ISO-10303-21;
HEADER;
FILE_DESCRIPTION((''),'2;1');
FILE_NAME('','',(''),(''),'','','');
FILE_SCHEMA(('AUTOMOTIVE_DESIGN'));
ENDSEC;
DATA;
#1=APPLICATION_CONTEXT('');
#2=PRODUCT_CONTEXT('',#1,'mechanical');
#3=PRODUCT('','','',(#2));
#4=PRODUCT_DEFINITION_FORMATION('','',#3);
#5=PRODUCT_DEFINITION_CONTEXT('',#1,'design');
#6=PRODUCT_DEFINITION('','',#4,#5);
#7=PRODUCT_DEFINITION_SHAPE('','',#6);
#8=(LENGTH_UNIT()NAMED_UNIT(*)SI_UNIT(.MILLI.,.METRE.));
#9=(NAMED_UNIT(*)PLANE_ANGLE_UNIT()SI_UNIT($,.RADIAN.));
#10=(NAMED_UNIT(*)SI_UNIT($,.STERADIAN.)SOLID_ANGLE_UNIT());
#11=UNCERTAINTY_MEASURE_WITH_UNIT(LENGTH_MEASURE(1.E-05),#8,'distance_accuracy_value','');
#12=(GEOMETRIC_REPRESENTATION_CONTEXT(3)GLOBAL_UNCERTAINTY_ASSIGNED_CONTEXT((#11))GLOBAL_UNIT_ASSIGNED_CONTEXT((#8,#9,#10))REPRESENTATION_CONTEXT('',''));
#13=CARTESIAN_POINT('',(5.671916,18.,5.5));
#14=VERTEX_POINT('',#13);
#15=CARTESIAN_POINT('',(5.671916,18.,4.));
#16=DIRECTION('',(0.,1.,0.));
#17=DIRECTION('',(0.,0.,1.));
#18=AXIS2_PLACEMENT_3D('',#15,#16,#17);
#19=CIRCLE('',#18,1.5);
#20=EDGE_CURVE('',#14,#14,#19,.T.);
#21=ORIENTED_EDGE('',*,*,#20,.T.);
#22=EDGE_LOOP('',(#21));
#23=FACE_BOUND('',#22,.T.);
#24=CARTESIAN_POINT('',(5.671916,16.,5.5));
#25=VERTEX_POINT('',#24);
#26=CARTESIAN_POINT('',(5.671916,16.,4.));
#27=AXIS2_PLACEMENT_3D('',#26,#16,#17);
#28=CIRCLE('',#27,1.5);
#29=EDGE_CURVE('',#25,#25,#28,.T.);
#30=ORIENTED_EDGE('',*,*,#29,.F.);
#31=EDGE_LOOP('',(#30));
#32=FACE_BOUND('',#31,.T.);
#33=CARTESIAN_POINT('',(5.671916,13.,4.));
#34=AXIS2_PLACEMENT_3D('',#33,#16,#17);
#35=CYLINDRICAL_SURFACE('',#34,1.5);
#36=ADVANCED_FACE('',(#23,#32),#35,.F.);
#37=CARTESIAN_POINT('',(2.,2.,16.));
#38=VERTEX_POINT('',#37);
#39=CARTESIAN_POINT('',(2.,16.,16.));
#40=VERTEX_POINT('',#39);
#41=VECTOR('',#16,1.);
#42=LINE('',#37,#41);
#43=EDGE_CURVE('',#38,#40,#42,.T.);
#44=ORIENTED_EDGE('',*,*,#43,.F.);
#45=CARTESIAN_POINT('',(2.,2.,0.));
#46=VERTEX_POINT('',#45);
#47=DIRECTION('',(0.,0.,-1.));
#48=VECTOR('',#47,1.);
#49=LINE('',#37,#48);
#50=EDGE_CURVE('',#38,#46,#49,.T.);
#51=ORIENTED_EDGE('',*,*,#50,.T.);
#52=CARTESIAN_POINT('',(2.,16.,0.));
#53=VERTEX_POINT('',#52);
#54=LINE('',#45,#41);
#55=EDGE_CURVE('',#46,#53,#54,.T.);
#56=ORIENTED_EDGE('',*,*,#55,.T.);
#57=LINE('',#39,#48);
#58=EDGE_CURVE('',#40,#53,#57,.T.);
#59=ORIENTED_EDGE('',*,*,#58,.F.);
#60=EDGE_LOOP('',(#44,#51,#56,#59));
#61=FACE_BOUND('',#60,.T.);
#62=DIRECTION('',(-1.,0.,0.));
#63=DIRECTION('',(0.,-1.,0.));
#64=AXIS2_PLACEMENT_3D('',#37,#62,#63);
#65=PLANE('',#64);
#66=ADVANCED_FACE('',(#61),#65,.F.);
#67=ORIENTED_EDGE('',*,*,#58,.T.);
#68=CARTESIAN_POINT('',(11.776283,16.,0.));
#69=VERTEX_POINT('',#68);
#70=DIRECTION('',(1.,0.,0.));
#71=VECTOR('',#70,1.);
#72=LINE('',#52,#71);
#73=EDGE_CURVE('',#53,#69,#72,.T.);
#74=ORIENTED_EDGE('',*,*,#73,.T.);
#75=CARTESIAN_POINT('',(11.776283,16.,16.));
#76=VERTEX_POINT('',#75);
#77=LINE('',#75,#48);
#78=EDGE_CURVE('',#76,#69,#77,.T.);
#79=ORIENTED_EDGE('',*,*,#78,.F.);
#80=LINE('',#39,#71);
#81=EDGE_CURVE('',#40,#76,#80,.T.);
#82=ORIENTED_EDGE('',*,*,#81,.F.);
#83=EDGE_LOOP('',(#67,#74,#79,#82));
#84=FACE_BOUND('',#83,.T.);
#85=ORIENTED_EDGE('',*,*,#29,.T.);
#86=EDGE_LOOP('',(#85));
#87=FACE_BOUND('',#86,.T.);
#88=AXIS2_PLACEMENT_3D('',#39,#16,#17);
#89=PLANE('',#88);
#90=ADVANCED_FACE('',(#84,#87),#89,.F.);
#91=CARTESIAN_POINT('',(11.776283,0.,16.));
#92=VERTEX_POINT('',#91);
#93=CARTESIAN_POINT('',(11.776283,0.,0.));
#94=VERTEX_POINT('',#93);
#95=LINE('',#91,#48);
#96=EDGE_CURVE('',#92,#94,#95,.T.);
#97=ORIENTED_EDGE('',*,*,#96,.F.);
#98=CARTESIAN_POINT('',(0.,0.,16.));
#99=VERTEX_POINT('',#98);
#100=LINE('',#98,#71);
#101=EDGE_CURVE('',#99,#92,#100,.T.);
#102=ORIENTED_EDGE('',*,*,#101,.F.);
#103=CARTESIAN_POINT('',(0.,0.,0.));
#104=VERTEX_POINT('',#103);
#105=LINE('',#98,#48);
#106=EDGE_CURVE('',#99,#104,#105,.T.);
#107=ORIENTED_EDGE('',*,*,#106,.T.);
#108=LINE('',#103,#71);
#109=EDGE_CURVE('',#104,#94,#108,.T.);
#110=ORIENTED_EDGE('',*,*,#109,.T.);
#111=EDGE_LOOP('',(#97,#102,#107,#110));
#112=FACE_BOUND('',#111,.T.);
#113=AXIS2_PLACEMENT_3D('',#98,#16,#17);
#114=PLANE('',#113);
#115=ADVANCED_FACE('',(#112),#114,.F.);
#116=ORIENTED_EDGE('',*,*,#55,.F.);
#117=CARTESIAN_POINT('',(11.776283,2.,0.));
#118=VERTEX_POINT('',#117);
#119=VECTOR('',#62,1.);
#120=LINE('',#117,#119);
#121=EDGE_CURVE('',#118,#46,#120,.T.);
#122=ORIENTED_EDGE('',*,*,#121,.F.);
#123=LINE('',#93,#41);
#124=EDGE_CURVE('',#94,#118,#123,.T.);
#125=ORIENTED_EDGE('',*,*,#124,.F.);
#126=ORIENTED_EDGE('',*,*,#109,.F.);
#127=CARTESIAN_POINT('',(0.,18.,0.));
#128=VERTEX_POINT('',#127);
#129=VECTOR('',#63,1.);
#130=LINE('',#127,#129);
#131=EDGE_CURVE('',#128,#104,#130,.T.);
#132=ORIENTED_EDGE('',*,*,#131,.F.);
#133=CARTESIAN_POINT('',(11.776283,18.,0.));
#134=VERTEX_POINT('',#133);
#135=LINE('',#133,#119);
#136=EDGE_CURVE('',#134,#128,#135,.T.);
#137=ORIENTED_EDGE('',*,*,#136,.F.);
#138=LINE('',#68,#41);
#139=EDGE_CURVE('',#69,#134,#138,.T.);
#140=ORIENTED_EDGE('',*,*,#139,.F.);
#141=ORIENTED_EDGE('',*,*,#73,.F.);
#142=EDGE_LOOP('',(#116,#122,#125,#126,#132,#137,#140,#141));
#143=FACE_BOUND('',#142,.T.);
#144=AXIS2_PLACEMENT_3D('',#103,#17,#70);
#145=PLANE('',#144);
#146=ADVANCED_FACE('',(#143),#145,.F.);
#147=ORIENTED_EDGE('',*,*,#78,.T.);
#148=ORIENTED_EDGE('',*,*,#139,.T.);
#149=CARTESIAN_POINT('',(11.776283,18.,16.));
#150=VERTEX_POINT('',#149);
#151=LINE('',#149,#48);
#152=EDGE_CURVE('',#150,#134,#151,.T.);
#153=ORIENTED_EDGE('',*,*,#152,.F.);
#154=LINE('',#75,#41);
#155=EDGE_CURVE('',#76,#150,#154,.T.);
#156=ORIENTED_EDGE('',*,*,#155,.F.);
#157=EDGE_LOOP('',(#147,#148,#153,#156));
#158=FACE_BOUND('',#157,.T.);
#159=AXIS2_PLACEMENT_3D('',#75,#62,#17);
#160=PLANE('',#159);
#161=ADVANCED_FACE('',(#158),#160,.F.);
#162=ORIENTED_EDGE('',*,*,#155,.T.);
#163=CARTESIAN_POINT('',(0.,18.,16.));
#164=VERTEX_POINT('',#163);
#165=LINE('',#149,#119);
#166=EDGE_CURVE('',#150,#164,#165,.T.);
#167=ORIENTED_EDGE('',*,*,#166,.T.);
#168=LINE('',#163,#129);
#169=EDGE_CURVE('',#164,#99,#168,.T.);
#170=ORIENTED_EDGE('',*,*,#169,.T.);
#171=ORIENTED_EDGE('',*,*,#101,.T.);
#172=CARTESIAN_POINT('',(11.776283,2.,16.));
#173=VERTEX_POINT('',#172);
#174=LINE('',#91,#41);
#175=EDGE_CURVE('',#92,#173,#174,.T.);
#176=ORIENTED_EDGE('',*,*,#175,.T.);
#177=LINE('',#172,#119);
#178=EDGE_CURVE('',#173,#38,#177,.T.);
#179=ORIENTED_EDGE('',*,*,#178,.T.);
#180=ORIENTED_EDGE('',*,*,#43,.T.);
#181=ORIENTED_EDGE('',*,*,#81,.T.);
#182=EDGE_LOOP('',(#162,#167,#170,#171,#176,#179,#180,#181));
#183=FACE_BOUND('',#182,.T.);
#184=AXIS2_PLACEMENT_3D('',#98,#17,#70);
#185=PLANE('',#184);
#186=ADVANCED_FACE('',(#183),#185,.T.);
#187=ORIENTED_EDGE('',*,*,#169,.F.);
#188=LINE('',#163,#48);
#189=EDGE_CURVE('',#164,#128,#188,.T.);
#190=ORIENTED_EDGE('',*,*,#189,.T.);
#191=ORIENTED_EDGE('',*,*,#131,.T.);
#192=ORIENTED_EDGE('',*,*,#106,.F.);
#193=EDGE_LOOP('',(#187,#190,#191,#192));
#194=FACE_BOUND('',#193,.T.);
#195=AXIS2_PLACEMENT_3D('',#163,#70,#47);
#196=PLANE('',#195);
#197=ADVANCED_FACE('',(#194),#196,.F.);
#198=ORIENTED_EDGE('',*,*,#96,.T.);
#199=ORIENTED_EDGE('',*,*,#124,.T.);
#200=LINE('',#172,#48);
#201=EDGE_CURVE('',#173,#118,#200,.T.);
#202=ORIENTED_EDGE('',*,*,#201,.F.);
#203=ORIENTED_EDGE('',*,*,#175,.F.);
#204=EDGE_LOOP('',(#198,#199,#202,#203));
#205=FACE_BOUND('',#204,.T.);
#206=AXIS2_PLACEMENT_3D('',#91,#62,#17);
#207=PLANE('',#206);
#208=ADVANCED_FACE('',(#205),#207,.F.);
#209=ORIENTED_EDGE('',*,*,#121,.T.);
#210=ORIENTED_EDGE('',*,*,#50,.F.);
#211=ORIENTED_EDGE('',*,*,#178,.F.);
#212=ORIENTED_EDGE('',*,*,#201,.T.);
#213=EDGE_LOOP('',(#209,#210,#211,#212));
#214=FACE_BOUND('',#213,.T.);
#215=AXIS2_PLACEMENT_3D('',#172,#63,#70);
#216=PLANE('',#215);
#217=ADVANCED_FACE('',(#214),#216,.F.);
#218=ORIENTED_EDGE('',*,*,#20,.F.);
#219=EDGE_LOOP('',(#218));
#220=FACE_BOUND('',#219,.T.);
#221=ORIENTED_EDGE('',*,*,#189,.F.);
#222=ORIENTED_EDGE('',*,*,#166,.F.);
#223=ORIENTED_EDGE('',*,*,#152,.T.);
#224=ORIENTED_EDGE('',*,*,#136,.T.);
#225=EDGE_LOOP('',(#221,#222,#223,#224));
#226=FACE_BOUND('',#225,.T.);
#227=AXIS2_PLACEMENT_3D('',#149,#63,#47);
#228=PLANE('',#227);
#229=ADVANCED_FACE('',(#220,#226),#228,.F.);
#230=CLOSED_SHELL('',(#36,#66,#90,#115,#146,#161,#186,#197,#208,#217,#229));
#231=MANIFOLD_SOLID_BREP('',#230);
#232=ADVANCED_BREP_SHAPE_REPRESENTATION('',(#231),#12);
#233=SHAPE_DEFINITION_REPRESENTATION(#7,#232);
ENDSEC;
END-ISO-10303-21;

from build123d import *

# Parameters (mm, degrees)
BOSS_EXTRUDE1_DEPTH = 16
SKETCH3_R           = 1.5
CUT_EXTRUDE1_DEPTH  = 5


with BuildPart() as part:
    # Sketch2 → Boss-Extrude1 (new body)
    with BuildSketch(Plane.XY):
        Polygon((0, 0), (11.776283231, 0), (11.776283231, 2), (2, 2), (2, 16), (11.776283231, 16), (11.776283231, 18), (0, 18), align=None)
    extrude(amount=BOSS_EXTRUDE1_DEPTH)

    # Sketch3 → Cut-Extrude1 (cut)
    with BuildSketch(Plane(origin=(0, 18, 0), x_dir=(1, 0, 0), z_dir=(0, 1, 0))):
        with Locations(Location((5.671916194, -4, 0), (0, 0, 270))):
            Circle(SKETCH3_R)
    extrude(amount=-CUT_EXTRUDE1_DEPTH, mode=Mode.SUBTRACT)


solid = part.part
